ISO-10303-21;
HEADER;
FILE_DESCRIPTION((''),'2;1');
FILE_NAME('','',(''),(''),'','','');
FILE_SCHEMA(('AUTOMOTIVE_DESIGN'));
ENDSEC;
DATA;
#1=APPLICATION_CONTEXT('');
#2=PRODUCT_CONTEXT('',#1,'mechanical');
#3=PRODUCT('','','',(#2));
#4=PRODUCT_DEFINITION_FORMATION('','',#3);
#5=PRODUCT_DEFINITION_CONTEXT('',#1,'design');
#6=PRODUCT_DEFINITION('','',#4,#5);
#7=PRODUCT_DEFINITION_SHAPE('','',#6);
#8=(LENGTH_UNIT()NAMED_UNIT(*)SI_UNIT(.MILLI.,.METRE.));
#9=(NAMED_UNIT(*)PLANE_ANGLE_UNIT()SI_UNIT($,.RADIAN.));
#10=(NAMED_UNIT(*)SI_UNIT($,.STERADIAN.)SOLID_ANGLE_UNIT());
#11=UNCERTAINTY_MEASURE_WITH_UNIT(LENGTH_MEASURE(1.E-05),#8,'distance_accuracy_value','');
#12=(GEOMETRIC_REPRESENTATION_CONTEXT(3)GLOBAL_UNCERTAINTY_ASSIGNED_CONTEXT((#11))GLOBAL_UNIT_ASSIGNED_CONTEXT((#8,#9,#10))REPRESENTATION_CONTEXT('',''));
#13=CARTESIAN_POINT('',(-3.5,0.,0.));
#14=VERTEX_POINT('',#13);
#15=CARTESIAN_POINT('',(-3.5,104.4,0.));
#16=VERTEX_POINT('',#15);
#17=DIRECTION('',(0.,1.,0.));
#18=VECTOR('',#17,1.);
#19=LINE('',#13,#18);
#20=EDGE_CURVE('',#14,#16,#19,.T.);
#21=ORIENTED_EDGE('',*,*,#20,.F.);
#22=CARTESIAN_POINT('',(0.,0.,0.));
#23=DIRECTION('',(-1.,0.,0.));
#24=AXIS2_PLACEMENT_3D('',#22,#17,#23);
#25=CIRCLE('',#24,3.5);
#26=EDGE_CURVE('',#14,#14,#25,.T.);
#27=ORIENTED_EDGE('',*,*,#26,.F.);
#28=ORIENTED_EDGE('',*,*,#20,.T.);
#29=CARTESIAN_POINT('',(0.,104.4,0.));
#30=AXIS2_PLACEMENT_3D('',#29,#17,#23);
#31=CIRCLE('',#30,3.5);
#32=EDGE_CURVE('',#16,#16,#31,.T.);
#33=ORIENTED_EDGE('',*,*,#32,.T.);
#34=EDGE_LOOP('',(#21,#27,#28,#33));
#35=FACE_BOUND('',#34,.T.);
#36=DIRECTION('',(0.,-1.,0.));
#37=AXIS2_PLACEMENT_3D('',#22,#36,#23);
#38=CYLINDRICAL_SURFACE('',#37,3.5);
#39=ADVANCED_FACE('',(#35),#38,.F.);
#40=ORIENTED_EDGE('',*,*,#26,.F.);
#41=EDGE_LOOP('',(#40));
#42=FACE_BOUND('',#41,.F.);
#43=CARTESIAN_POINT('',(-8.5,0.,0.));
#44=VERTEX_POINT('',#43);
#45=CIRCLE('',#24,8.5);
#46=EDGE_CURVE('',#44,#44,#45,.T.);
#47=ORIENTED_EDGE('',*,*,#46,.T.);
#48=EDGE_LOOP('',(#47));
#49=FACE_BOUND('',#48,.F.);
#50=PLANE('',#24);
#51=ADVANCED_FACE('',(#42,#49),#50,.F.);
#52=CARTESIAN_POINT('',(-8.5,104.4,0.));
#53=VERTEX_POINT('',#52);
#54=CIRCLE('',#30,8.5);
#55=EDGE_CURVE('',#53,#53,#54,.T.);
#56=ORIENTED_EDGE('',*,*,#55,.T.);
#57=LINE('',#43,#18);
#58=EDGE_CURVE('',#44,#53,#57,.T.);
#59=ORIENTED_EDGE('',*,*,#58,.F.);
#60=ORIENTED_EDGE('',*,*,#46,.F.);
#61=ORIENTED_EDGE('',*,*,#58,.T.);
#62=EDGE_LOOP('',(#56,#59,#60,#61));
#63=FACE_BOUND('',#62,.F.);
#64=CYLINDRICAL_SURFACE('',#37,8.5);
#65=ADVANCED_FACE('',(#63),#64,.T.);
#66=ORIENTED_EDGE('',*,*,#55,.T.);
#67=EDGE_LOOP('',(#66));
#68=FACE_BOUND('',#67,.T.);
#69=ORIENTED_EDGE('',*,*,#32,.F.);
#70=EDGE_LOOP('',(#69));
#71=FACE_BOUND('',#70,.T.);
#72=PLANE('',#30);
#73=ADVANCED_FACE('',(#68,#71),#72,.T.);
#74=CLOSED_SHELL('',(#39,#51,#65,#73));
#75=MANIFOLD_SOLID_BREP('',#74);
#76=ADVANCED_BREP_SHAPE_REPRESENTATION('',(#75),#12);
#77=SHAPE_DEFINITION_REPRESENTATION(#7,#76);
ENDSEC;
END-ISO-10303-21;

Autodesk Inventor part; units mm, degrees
ref_plane "YZ Plane" through (0, 0, 0) normal (1, 0, 0) x (0, 1, 0)
ref_plane "XZ Plane" through (0, 0, 0) normal (0, 1, 0) x (-1, 0, 0)
ref_plane "XY Plane" through (0, 0, 0) normal (0, 0, 1) x (1, 0, 0)
sketch "Sketch1" plane through (0, 0, 0) normal (0, 1, 0) x (-1, 0, 0)
  circle A0 centre (0, 0) radius 8.5
  circle A1 centre (0, 0) radius 3.5
  dimension "d0" = 17
  dimension "d1" = 7
extrude "Extrusion1" add sketch "Sketch1" along normal blind 104.4
properties part number "Connector" material "Aluminum 6061"
